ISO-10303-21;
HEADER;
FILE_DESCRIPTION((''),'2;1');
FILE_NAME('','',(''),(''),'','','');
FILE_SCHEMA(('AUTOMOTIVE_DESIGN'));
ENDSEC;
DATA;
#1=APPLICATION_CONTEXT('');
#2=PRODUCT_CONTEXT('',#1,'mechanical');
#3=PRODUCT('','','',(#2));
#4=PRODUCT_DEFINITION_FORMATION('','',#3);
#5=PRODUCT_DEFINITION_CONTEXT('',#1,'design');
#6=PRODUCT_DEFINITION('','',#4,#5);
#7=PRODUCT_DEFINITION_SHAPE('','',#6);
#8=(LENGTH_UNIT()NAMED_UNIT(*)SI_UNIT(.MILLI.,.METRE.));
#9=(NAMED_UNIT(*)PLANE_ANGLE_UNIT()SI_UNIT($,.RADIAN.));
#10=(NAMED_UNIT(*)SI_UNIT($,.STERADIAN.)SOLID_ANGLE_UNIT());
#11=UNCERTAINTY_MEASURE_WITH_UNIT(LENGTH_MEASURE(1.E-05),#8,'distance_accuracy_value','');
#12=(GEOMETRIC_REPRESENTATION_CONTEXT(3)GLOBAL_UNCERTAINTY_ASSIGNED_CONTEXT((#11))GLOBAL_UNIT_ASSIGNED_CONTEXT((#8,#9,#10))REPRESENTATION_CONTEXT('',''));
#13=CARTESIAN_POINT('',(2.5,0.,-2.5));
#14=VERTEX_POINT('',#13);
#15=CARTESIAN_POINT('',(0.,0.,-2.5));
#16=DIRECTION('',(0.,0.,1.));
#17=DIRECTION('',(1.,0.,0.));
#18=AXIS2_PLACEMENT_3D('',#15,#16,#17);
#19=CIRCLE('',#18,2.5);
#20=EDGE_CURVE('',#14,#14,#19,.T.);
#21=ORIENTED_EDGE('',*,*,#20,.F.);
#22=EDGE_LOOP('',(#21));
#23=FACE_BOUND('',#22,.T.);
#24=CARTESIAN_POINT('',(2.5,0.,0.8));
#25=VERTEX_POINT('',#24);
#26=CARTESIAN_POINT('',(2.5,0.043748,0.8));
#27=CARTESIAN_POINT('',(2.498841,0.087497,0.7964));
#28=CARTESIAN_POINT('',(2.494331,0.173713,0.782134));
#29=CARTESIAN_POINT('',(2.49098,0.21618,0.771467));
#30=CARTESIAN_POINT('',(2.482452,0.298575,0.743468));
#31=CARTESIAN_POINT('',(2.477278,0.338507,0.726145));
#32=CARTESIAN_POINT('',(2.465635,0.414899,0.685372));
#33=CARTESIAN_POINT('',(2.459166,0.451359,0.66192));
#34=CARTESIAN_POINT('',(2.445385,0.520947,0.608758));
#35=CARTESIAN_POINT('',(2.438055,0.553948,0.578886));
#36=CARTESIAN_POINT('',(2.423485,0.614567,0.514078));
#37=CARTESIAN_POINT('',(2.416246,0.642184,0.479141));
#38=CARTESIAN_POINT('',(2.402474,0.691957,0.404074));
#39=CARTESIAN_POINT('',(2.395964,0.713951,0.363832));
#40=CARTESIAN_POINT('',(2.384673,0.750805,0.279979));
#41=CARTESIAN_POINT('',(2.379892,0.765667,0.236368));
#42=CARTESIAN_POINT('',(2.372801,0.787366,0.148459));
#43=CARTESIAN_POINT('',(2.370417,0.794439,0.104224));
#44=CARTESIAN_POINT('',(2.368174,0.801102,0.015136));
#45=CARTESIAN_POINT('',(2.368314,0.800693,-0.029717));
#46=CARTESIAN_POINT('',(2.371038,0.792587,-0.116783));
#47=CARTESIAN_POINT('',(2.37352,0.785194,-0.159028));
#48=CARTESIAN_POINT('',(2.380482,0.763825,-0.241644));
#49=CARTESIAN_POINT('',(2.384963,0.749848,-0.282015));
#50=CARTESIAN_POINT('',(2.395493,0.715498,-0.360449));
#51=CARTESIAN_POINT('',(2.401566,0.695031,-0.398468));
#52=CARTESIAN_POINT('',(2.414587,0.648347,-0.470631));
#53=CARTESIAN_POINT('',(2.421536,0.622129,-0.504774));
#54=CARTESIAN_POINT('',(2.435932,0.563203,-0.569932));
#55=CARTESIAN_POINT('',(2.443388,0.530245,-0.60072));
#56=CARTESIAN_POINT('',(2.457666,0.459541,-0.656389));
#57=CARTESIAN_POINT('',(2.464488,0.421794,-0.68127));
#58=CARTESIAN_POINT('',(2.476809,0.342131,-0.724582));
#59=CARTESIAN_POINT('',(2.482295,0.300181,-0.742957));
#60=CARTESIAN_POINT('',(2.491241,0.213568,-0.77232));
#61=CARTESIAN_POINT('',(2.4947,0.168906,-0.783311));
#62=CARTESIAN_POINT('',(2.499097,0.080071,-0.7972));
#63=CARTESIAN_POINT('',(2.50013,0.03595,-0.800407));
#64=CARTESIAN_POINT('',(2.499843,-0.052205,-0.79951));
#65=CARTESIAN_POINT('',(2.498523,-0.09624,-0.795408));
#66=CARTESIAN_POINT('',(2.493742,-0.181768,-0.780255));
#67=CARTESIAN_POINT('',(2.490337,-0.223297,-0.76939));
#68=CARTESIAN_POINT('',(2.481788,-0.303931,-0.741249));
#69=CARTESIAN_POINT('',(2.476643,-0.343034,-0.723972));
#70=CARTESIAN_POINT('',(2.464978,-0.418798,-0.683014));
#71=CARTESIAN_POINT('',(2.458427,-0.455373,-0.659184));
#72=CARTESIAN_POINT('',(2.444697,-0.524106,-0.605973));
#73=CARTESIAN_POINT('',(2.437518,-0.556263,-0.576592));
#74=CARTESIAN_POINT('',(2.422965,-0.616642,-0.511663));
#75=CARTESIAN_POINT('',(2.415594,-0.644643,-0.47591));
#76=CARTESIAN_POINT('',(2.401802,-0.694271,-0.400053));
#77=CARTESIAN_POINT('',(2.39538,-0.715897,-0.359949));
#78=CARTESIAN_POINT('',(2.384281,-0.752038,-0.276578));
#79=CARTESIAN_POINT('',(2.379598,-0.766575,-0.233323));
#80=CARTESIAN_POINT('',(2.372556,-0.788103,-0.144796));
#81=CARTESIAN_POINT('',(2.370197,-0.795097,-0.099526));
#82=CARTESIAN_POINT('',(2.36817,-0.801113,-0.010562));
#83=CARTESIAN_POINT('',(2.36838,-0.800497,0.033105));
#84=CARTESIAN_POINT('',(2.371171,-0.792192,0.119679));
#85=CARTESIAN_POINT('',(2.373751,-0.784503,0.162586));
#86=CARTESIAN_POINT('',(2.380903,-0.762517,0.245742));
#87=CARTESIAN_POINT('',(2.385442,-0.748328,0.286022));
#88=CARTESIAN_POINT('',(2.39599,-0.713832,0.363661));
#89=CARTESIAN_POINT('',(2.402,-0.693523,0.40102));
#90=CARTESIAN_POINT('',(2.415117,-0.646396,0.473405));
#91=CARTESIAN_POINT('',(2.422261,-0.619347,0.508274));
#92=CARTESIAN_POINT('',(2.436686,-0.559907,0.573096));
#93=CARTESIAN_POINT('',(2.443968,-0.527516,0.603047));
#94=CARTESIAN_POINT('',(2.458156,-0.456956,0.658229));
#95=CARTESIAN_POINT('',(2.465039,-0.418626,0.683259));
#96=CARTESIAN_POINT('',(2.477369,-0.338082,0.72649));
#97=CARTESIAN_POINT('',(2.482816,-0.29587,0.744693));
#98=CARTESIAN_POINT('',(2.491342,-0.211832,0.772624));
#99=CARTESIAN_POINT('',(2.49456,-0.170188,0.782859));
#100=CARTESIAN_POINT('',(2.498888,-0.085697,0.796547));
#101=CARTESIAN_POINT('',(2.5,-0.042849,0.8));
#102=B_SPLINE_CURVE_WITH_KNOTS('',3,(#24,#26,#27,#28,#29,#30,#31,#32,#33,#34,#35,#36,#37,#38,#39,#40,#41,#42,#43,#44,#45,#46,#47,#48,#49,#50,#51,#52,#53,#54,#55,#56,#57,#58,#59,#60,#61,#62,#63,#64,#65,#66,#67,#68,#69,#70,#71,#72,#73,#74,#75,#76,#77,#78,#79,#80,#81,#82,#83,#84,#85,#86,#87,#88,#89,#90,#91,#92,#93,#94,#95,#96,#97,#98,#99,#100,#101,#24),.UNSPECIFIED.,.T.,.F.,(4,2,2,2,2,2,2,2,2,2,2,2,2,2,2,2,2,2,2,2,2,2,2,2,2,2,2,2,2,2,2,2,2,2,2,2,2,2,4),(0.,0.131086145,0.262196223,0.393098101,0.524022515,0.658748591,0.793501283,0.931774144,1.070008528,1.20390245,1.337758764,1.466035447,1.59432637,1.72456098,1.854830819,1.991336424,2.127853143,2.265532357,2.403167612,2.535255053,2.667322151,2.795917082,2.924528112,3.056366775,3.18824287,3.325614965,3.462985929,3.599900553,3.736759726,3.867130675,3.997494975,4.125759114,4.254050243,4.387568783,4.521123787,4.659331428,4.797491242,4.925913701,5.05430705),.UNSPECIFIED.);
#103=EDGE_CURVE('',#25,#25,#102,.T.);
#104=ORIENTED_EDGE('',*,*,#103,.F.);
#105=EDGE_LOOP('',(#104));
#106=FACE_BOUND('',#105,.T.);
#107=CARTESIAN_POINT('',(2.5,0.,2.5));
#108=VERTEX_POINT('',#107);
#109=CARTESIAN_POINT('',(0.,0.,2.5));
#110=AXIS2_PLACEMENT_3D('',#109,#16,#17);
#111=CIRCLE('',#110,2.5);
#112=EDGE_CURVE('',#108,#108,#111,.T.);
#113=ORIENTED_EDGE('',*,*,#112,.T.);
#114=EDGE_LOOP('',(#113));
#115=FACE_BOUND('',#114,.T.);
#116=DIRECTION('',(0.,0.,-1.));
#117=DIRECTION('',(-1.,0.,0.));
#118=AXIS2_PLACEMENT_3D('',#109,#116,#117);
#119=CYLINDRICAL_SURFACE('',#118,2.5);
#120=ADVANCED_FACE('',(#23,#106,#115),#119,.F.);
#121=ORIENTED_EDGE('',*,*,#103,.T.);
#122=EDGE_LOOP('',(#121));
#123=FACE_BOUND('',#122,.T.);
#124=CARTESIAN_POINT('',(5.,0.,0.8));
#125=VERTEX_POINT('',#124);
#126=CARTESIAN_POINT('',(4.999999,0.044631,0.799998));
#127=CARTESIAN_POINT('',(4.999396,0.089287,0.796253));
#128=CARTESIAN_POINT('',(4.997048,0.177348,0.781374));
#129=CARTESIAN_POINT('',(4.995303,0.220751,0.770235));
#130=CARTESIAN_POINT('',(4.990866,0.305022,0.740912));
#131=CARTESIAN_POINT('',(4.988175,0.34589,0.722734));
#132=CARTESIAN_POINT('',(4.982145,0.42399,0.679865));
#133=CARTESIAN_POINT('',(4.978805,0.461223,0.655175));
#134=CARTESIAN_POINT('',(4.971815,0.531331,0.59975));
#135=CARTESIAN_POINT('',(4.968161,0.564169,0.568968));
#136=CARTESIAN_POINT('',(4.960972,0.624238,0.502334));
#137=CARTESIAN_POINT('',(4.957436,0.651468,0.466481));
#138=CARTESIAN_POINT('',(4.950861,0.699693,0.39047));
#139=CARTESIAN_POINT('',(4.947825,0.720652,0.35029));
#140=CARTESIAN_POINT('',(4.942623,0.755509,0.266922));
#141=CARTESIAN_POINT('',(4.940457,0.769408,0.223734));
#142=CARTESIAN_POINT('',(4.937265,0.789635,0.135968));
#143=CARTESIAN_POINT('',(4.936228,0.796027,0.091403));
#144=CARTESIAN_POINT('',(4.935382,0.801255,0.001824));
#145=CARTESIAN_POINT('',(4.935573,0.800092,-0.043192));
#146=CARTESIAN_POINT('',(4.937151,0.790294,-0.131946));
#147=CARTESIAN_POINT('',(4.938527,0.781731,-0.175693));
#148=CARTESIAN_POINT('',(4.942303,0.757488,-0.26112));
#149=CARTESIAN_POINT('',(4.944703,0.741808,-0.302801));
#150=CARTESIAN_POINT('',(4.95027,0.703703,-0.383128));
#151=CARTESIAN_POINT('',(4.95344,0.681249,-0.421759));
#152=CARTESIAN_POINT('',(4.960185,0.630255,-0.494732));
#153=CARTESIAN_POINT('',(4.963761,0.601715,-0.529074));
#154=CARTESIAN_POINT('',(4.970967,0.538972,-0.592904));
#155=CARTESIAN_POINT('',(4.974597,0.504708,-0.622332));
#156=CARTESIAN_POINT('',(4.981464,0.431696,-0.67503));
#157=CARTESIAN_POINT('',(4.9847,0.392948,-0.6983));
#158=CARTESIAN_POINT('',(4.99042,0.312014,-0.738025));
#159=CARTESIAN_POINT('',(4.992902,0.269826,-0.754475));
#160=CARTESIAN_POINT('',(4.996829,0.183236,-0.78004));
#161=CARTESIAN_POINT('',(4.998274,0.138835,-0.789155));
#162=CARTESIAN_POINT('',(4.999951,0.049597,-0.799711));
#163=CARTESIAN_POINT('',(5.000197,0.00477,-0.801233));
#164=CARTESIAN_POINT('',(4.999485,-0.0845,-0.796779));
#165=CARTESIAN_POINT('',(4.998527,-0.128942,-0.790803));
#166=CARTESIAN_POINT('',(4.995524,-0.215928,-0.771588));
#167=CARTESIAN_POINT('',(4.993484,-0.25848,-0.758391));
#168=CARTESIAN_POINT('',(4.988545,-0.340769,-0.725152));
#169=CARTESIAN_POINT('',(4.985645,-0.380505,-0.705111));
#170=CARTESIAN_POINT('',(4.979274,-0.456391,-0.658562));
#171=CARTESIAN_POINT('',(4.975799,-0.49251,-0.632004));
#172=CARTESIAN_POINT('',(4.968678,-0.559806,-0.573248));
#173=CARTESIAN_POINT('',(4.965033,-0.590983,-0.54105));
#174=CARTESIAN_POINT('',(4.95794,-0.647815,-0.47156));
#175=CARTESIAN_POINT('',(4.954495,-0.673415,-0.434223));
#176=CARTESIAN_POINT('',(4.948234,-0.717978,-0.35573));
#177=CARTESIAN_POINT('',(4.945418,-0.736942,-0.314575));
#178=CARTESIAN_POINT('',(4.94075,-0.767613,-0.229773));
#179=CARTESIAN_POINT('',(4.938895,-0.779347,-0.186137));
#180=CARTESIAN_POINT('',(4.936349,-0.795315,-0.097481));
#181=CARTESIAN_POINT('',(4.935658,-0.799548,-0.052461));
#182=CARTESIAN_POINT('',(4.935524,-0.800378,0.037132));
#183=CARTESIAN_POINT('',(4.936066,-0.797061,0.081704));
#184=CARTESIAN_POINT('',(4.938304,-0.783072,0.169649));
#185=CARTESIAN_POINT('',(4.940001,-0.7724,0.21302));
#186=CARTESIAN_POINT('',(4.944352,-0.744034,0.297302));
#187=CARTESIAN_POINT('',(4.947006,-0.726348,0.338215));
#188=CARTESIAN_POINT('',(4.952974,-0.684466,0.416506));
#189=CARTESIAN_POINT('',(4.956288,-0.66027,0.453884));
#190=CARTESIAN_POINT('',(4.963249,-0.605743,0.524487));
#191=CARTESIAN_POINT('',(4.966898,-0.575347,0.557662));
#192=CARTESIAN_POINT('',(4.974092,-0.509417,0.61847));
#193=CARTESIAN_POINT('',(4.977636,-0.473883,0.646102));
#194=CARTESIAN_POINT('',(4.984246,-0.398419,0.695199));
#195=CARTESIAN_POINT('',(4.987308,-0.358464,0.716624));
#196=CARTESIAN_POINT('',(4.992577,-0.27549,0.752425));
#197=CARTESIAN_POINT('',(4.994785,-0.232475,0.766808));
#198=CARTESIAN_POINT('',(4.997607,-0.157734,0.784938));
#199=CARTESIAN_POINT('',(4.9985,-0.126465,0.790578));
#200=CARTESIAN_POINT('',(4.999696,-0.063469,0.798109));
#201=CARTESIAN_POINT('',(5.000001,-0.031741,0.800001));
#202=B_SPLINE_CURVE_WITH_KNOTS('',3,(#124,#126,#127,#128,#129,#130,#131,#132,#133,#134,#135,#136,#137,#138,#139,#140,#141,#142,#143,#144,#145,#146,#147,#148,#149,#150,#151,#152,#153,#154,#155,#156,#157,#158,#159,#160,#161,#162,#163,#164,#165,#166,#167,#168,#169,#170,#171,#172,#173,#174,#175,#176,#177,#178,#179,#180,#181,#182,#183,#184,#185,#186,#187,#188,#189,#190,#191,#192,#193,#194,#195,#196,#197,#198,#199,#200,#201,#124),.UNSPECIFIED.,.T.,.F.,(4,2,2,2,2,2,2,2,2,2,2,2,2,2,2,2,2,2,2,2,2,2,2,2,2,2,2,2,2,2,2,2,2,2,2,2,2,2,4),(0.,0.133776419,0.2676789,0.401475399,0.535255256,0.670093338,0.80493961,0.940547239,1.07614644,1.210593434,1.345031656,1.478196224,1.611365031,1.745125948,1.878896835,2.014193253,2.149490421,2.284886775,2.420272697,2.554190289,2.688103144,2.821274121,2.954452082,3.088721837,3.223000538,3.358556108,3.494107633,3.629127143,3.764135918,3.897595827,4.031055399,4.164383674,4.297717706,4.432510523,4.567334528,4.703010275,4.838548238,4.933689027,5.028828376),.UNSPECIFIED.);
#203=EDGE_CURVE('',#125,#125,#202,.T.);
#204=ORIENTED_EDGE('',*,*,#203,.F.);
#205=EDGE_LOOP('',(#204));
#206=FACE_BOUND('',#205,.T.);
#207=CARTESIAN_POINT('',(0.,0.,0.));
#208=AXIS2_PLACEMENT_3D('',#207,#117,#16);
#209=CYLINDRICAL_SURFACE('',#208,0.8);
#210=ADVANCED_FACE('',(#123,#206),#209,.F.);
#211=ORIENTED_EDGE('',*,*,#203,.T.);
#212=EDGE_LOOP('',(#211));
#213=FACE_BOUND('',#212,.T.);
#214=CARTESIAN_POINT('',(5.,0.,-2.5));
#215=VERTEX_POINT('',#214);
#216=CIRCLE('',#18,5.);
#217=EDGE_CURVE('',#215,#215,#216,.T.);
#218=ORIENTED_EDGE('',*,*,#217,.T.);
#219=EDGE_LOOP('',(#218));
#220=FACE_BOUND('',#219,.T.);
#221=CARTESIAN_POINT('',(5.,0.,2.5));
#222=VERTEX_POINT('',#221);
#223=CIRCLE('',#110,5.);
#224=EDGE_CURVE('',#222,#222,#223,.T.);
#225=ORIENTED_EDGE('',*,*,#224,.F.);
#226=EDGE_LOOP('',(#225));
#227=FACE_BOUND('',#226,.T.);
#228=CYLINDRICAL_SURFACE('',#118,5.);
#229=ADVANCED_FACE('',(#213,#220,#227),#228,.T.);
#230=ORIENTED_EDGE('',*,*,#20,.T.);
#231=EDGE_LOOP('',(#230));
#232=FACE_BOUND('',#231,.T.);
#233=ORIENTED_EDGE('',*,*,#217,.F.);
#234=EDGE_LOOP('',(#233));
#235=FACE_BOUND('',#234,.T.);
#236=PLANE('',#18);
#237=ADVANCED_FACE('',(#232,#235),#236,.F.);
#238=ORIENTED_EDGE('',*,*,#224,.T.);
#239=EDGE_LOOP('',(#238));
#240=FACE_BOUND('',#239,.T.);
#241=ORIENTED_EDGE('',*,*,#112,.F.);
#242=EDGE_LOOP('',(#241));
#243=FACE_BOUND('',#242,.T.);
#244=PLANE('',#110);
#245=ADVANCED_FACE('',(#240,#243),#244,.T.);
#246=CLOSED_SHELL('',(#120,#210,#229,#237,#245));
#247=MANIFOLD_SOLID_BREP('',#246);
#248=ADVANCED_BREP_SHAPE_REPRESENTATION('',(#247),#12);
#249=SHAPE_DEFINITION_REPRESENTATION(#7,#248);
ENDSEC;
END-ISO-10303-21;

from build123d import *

# Parameters (mm, degrees)
SKETCH1_R           = 5
SKETCH1_R_2         = 2.5
BOSS_EXTRUDE1_DEPTH = 2.5
SKETCH2_W           = 0.8
SKETCH2_H           = 5


with BuildPart() as part:
    # Sketch1 → Boss-Extrude1 (new, symmetric)
    with BuildSketch(Plane.XY):
        Circle(SKETCH1_R)
        Circle(SKETCH1_R_2, mode=Mode.SUBTRACT)
    extrude(amount=BOSS_EXTRUDE1_DEPTH, both=True)

    # Sketch2 → M2x0.4 Tapped Hole1 (revolve, cut)
    with BuildSketch(Plane.ZX):
        with Locations((0.4, 2.5)):
            Rectangle(SKETCH2_W, SKETCH2_H)
    revolve(axis=Axis((-6.35, 0, 0), (1, 0, 0)), mode=Mode.SUBTRACT)


solid = part.part
